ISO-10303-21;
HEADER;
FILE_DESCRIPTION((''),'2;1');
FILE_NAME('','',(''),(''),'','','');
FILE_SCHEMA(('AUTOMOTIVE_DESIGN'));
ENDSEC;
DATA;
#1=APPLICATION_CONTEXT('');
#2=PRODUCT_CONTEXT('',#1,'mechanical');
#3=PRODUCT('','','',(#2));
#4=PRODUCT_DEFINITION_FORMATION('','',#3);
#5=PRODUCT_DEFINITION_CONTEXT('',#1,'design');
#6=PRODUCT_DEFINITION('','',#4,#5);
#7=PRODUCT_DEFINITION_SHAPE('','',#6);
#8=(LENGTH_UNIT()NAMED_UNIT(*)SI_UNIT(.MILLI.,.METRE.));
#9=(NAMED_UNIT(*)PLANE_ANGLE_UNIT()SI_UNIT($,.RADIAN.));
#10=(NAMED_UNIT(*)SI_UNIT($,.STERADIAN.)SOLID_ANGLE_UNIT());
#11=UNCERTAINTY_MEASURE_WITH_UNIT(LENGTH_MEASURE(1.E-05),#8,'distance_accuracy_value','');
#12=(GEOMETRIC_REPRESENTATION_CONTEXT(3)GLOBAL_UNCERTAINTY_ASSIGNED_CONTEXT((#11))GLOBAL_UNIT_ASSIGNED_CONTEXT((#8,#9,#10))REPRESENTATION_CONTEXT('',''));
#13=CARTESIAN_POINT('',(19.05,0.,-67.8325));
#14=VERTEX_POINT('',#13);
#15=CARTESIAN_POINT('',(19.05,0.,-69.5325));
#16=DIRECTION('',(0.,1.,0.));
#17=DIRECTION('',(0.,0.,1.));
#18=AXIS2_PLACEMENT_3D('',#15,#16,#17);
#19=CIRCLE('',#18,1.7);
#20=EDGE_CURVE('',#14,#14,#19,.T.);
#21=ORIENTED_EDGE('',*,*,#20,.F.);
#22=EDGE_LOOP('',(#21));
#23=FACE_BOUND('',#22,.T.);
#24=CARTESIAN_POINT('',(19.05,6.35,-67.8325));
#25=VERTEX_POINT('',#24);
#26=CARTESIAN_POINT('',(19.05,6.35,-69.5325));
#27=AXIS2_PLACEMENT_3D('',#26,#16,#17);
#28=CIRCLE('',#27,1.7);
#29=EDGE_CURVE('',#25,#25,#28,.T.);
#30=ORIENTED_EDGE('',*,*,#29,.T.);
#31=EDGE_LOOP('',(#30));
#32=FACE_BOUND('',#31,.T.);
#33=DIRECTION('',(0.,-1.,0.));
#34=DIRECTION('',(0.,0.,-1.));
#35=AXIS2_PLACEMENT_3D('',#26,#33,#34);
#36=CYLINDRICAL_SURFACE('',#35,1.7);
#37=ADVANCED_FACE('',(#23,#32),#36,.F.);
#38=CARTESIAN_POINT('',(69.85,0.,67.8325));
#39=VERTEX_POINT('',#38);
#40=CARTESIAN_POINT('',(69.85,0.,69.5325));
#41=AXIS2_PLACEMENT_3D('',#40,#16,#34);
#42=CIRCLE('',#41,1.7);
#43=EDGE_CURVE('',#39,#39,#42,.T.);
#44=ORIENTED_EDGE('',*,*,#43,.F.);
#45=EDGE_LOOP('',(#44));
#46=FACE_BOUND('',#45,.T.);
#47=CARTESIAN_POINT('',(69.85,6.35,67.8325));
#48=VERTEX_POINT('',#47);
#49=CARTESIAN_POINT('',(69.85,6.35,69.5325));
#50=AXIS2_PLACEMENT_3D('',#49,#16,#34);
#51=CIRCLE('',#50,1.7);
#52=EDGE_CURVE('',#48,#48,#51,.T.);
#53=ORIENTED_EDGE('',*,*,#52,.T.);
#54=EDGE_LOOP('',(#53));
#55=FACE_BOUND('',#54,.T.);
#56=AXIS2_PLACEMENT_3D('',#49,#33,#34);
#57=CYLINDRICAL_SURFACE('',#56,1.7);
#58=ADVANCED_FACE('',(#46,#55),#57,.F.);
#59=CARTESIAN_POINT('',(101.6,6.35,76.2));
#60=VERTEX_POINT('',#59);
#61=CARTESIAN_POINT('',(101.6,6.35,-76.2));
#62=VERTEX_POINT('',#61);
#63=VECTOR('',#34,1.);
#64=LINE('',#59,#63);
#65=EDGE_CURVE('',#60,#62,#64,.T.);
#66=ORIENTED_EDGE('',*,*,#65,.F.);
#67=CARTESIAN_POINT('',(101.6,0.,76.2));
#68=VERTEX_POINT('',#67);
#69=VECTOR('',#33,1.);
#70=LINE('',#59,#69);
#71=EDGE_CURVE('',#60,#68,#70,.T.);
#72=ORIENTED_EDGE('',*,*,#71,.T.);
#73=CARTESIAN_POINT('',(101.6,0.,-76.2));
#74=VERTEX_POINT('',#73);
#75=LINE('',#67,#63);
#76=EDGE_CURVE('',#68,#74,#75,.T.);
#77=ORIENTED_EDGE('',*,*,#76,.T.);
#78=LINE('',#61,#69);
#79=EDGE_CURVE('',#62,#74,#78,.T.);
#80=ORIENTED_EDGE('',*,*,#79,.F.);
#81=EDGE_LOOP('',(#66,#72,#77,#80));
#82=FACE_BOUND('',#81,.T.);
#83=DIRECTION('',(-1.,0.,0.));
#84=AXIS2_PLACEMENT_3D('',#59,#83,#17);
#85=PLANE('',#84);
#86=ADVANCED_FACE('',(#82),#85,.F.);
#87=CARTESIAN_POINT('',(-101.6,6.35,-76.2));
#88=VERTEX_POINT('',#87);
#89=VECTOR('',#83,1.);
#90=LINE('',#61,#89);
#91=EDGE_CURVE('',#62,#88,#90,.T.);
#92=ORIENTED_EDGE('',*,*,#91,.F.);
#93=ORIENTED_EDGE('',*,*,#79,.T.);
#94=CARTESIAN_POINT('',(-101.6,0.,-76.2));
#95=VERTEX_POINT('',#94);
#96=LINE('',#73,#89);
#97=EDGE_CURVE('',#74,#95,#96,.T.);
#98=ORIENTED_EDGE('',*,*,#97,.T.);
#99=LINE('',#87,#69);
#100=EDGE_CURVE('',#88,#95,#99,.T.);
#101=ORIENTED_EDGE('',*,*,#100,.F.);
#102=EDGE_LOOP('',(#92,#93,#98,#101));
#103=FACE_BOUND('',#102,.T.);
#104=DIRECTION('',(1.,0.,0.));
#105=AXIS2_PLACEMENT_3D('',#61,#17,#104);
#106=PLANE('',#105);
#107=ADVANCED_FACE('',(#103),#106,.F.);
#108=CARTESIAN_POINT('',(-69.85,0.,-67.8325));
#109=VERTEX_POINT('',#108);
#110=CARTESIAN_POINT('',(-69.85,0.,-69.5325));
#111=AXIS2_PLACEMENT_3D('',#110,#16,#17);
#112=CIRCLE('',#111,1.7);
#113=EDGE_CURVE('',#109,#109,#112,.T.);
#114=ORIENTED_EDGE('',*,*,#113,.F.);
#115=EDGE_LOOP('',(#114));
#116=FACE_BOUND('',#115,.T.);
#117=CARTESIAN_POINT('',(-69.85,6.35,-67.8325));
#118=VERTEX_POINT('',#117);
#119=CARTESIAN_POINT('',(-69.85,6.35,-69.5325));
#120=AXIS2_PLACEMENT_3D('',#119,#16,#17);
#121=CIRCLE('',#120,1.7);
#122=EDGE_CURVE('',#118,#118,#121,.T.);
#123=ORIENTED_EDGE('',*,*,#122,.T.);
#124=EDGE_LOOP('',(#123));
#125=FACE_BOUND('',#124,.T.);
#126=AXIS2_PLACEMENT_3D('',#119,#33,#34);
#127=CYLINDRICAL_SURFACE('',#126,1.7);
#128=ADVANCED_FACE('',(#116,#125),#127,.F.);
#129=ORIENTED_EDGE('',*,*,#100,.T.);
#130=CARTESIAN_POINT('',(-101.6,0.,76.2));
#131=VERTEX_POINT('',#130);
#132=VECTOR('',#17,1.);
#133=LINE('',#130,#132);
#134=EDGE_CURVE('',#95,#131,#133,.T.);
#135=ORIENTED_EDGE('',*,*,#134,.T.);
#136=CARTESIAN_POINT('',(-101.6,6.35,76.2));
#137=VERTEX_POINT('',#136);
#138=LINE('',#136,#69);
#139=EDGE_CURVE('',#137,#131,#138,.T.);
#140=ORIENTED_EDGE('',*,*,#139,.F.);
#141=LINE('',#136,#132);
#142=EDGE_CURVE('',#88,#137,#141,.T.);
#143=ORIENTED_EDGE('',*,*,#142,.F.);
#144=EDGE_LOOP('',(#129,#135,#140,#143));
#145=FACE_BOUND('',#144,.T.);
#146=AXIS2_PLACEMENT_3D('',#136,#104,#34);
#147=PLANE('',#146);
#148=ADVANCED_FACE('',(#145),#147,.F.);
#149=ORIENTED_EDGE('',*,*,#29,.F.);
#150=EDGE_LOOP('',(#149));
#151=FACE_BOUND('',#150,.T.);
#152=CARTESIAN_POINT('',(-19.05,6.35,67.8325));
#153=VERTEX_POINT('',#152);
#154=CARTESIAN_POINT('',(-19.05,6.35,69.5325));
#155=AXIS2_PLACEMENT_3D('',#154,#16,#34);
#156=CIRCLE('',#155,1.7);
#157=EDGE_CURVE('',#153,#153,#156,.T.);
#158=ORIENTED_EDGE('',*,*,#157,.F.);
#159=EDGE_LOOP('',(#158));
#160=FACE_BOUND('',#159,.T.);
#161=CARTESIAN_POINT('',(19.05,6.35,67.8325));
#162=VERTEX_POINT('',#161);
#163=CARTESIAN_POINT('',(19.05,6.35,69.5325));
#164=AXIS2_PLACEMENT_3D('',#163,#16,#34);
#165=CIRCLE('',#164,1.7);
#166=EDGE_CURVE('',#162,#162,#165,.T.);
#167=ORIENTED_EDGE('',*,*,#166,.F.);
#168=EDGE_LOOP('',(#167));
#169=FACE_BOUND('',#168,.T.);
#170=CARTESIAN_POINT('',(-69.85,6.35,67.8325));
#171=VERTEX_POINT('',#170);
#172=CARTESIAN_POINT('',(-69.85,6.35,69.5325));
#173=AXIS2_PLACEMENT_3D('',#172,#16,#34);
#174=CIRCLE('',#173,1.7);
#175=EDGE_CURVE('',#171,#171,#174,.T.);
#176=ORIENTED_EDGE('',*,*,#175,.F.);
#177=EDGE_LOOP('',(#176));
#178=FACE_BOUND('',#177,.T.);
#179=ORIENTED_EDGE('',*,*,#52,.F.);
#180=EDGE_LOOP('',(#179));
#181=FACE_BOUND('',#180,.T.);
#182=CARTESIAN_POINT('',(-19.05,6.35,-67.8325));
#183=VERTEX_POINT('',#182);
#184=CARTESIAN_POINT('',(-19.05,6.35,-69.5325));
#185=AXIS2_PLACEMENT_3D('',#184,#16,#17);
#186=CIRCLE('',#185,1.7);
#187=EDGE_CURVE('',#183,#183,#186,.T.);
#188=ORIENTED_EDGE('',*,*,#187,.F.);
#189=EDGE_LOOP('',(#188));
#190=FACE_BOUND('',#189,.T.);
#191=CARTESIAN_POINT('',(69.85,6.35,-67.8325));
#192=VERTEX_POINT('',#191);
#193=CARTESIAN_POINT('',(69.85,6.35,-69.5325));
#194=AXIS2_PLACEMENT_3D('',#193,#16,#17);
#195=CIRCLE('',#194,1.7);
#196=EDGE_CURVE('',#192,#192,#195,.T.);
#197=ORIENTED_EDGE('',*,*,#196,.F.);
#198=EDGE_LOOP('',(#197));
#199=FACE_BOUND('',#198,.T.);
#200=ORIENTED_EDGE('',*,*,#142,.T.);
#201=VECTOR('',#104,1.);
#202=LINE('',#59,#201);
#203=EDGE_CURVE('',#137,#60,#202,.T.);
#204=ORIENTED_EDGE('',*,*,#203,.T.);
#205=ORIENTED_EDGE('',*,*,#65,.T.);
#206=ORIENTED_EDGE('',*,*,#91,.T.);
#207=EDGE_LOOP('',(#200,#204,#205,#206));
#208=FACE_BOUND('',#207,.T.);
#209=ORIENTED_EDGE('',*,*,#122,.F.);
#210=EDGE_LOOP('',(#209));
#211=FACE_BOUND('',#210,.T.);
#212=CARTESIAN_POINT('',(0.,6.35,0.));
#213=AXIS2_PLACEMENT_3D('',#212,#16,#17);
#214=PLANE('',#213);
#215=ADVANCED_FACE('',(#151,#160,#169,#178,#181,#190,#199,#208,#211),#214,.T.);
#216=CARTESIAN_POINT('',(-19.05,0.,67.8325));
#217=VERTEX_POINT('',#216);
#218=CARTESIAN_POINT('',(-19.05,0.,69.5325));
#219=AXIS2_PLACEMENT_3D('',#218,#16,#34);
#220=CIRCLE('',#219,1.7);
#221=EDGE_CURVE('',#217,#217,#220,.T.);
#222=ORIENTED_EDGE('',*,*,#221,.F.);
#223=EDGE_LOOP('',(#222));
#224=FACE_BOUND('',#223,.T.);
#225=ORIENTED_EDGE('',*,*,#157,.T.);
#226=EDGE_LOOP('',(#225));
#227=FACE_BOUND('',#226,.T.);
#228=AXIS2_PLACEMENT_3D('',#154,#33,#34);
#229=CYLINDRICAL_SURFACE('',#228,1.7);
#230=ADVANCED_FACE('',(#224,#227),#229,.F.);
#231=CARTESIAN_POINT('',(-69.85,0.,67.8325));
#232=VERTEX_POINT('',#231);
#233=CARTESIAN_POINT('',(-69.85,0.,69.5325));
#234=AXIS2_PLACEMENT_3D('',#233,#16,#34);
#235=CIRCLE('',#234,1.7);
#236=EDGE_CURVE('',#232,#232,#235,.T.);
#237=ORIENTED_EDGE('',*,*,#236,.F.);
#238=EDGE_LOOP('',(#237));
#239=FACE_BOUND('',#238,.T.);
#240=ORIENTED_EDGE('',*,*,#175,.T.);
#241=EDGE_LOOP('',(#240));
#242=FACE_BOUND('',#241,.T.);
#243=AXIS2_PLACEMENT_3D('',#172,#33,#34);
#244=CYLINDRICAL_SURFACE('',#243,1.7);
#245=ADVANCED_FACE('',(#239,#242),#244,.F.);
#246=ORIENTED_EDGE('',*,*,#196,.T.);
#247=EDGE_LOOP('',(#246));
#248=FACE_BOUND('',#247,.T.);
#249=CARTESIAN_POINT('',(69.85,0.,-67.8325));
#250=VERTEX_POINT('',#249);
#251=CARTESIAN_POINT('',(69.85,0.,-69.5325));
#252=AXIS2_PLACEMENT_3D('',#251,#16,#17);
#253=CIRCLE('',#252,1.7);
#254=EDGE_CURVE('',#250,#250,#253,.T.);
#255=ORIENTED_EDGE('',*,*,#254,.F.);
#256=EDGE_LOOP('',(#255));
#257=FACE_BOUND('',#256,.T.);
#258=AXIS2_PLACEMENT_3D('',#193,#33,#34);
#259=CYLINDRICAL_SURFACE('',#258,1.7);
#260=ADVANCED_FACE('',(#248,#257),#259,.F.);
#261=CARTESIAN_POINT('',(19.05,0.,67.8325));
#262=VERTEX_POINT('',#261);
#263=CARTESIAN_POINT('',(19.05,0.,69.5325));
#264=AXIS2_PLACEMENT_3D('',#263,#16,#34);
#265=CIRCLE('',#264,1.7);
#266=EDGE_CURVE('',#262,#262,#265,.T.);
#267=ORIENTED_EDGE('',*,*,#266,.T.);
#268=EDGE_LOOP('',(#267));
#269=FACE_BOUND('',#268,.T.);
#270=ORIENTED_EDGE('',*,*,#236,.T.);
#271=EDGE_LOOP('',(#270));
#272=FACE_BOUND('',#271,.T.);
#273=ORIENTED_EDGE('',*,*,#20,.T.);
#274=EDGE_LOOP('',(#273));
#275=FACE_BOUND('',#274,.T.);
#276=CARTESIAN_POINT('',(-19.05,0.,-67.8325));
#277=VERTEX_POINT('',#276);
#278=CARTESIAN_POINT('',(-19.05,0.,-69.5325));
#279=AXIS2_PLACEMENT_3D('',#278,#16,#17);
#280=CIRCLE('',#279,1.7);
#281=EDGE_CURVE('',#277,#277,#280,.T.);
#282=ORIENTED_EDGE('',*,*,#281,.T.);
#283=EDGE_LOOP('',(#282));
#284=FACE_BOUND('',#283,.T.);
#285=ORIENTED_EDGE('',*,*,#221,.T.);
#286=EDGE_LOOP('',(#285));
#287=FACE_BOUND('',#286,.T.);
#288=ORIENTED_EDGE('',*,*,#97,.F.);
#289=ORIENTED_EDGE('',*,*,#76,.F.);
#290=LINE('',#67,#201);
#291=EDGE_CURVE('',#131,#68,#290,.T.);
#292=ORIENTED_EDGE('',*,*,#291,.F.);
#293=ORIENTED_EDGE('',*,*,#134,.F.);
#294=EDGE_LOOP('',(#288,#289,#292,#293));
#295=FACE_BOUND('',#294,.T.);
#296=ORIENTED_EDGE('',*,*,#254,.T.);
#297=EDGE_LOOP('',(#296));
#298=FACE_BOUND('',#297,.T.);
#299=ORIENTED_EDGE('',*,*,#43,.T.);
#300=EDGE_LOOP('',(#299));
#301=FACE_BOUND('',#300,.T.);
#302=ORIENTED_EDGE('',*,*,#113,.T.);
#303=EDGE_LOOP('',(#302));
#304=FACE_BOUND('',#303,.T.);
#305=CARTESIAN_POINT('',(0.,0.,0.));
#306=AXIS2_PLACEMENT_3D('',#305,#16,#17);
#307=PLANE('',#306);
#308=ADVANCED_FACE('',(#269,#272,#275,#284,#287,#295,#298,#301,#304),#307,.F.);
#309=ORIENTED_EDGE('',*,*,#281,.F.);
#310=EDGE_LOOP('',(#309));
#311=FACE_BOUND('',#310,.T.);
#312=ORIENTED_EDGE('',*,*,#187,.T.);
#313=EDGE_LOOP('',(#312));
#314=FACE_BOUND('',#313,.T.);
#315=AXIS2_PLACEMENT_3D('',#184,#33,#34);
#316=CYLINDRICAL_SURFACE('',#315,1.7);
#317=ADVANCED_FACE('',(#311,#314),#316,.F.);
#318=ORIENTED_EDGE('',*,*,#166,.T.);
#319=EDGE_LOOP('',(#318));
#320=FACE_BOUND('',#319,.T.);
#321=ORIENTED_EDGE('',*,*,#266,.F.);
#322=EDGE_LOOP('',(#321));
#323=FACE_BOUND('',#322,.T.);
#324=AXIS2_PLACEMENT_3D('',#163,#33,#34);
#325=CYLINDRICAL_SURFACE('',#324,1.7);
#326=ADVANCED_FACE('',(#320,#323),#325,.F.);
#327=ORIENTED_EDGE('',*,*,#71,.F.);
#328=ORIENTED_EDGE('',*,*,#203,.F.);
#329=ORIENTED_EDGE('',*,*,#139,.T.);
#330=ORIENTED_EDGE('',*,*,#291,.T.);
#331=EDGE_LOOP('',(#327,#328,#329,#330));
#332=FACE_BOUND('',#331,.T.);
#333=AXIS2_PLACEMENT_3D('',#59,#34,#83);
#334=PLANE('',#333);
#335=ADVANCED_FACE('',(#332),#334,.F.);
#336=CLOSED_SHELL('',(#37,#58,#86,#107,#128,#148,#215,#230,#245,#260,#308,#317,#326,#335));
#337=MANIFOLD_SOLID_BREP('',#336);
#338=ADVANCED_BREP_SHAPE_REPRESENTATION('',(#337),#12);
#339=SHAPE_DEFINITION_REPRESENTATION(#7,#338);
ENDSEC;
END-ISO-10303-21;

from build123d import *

# Parameters (mm, degrees)
SKETCH1_W           = 203.2
SKETCH1_H           = 152.4
SKETCH1_R           = 1.7
BOSS_EXTRUDE1_DEPTH = 6.35


with BuildPart() as part:
    # Sketch1 → Boss-Extrude1 (new body)
    with BuildSketch(Plane(origin=(0, 0, 0), x_dir=(1, 0, 0), z_dir=(0, 1, 0))):
        Rectangle(SKETCH1_W, SKETCH1_H)
        with Locations(Location((-69.85, 69.5325, 0), (0, 0, 270))):
            Circle(SKETCH1_R, mode=Mode.SUBTRACT)
        with Locations(Location((-19.05, 69.5325, 0), (0, 0, 270))):
            Circle(SKETCH1_R, mode=Mode.SUBTRACT)
        with Locations(Location((19.05, 69.5325, 0), (0, 0, 270))):
            Circle(SKETCH1_R, mode=Mode.SUBTRACT)
        with Locations(Location((69.85, 69.5325, 0), (0, 0, 270))):
            Circle(SKETCH1_R, mode=Mode.SUBTRACT)
        with Locations(Location((-69.85, -69.5325, 0), (0, 0, 90))):
            Circle(SKETCH1_R, mode=Mode.SUBTRACT)
        with Locations(Location((69.85, -69.5325, 0), (0, 0, 90))):
            Circle(SKETCH1_R, mode=Mode.SUBTRACT)
        with Locations(Location((19.05, -69.5325, 0), (0, 0, 90))):
            Circle(SKETCH1_R, mode=Mode.SUBTRACT)
        with Locations(Location((-19.05, -69.5325, 0), (0, 0, 90))):
            Circle(SKETCH1_R, mode=Mode.SUBTRACT)
    extrude(amount=BOSS_EXTRUDE1_DEPTH)


solid = part.part
